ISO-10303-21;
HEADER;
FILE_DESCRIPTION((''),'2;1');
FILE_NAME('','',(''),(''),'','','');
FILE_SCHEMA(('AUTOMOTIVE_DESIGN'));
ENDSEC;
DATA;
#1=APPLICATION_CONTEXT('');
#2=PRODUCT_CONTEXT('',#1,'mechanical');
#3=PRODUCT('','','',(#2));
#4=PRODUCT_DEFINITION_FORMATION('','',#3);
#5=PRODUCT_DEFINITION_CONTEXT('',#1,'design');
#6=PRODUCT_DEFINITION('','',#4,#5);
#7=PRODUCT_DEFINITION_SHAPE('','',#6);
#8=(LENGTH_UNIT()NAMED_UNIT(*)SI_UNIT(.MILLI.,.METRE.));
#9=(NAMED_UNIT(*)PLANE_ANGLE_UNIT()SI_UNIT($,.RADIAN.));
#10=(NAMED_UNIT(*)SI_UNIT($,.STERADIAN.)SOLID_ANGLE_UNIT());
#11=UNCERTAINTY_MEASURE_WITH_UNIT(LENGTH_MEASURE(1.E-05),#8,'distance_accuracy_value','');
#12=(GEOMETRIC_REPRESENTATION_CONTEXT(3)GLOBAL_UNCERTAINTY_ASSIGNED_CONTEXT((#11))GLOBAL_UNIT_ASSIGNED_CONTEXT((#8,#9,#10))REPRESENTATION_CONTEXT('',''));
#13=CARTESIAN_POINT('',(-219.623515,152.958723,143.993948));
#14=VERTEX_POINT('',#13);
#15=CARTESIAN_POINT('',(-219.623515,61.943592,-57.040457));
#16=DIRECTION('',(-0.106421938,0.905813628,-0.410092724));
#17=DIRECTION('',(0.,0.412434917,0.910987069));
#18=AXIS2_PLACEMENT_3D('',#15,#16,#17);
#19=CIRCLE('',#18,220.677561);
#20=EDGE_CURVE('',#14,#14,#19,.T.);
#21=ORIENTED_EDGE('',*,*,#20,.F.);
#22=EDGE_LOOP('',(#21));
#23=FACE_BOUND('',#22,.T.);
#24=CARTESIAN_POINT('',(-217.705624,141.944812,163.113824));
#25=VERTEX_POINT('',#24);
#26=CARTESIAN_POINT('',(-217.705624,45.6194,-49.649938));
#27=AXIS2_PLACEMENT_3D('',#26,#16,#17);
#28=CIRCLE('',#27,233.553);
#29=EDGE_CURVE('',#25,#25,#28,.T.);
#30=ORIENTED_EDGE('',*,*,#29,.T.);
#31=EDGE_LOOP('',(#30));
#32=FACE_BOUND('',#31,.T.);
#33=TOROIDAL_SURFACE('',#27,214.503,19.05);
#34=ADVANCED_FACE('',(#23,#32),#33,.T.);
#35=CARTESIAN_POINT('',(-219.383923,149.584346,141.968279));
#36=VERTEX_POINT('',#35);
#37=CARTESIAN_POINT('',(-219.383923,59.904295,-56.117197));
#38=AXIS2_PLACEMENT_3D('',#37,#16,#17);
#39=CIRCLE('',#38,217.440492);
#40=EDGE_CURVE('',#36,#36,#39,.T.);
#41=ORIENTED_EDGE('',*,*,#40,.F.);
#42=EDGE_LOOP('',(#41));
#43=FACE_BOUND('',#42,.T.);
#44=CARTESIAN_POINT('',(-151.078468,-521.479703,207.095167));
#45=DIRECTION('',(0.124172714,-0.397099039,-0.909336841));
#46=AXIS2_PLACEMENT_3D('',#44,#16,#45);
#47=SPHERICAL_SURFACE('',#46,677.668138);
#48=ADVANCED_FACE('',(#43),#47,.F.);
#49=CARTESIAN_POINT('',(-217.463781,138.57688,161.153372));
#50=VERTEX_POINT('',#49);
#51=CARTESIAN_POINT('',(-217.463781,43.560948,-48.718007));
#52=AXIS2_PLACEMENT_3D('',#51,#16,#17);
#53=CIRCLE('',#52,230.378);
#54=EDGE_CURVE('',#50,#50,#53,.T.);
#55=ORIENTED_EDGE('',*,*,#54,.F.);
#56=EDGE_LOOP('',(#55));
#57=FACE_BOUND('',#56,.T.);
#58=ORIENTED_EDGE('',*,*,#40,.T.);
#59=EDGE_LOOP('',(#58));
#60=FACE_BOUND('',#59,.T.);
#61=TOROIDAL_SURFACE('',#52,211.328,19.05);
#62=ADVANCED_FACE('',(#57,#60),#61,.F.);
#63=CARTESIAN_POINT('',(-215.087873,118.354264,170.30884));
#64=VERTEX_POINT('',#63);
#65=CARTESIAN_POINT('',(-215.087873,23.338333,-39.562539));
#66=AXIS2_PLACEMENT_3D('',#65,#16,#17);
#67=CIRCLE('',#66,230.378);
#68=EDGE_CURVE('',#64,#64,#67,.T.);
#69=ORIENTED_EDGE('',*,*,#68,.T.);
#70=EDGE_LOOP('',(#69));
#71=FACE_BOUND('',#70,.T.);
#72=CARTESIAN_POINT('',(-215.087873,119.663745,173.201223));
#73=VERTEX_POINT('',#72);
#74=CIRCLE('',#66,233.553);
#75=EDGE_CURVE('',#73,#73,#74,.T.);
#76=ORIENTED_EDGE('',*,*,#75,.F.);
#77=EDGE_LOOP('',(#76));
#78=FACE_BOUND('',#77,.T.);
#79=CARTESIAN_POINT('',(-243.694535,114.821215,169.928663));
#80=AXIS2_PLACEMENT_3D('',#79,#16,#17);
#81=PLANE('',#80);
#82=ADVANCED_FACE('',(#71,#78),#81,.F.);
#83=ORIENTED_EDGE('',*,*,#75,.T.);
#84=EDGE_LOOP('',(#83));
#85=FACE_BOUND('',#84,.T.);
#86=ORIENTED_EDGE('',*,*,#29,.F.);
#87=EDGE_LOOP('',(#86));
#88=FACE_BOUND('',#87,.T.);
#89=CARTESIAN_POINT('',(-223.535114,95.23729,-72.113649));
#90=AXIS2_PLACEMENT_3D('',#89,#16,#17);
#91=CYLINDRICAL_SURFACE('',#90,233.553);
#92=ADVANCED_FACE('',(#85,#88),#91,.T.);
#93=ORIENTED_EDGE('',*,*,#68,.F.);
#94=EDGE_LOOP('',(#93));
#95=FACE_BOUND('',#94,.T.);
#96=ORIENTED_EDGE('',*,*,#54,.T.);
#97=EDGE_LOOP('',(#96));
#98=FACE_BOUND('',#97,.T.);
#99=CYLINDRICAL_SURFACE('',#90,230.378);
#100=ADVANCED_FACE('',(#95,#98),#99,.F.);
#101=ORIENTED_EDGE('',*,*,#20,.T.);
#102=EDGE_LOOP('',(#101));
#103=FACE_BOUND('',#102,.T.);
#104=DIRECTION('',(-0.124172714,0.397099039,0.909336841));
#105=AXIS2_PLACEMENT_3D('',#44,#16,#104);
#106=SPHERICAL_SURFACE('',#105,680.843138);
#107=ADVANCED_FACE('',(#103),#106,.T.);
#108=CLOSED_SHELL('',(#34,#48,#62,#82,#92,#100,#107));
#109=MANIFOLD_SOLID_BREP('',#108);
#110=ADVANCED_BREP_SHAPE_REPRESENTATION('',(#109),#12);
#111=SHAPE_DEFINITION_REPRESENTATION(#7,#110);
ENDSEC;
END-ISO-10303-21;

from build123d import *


with BuildPart() as part:
    # Sketch1 → Revolve1 (revolve)
    with BuildSketch(Plane(origin=(-170.126510157, -378.462559963, 173.892254674), x_dir=(-0.12417271401547268, 0.39709903879718633, 0.9093368410442757), z_dir=(-0.9865371296335288, -0.1476957156883053, -0.07021728720021364))):
        with BuildLine():
            Line((201.413414743, 456.277858032), (201.413414743, 478.603217986))
            ThreePointArc((201.413414743, 478.603217986), (197.844782275, 489.70410801), (188.475907203, 496.645943277))
            ThreePointArc((188.475907203, 496.645943277), (81.221954161, 523.459876529), (-28.964585257, 532.477858032))
            Line((-28.964585257, 532.477858032), (-28.964585257, 535.652858032))
            ThreePointArc((-28.964585257, 535.652858032), (82.894207472, 526.401105506), (191.712975822, 498.897285948))
            ThreePointArc((191.712975822, 498.897285948), (201.038864552, 491.949936692), (204.588414743, 480.875707341))
            Line((204.588414743, 480.875707341), (204.588414743, 456.277858032))
            Line((204.588414743, 456.277858032), (201.413414743, 456.277858032))
        make_face()
    revolve(axis=Axis((-223.535114395, 95.237289839, -72.113649338), (0.10642193828561908, -0.9058136281563032, 0.410092723780667)))


solid = part.part
